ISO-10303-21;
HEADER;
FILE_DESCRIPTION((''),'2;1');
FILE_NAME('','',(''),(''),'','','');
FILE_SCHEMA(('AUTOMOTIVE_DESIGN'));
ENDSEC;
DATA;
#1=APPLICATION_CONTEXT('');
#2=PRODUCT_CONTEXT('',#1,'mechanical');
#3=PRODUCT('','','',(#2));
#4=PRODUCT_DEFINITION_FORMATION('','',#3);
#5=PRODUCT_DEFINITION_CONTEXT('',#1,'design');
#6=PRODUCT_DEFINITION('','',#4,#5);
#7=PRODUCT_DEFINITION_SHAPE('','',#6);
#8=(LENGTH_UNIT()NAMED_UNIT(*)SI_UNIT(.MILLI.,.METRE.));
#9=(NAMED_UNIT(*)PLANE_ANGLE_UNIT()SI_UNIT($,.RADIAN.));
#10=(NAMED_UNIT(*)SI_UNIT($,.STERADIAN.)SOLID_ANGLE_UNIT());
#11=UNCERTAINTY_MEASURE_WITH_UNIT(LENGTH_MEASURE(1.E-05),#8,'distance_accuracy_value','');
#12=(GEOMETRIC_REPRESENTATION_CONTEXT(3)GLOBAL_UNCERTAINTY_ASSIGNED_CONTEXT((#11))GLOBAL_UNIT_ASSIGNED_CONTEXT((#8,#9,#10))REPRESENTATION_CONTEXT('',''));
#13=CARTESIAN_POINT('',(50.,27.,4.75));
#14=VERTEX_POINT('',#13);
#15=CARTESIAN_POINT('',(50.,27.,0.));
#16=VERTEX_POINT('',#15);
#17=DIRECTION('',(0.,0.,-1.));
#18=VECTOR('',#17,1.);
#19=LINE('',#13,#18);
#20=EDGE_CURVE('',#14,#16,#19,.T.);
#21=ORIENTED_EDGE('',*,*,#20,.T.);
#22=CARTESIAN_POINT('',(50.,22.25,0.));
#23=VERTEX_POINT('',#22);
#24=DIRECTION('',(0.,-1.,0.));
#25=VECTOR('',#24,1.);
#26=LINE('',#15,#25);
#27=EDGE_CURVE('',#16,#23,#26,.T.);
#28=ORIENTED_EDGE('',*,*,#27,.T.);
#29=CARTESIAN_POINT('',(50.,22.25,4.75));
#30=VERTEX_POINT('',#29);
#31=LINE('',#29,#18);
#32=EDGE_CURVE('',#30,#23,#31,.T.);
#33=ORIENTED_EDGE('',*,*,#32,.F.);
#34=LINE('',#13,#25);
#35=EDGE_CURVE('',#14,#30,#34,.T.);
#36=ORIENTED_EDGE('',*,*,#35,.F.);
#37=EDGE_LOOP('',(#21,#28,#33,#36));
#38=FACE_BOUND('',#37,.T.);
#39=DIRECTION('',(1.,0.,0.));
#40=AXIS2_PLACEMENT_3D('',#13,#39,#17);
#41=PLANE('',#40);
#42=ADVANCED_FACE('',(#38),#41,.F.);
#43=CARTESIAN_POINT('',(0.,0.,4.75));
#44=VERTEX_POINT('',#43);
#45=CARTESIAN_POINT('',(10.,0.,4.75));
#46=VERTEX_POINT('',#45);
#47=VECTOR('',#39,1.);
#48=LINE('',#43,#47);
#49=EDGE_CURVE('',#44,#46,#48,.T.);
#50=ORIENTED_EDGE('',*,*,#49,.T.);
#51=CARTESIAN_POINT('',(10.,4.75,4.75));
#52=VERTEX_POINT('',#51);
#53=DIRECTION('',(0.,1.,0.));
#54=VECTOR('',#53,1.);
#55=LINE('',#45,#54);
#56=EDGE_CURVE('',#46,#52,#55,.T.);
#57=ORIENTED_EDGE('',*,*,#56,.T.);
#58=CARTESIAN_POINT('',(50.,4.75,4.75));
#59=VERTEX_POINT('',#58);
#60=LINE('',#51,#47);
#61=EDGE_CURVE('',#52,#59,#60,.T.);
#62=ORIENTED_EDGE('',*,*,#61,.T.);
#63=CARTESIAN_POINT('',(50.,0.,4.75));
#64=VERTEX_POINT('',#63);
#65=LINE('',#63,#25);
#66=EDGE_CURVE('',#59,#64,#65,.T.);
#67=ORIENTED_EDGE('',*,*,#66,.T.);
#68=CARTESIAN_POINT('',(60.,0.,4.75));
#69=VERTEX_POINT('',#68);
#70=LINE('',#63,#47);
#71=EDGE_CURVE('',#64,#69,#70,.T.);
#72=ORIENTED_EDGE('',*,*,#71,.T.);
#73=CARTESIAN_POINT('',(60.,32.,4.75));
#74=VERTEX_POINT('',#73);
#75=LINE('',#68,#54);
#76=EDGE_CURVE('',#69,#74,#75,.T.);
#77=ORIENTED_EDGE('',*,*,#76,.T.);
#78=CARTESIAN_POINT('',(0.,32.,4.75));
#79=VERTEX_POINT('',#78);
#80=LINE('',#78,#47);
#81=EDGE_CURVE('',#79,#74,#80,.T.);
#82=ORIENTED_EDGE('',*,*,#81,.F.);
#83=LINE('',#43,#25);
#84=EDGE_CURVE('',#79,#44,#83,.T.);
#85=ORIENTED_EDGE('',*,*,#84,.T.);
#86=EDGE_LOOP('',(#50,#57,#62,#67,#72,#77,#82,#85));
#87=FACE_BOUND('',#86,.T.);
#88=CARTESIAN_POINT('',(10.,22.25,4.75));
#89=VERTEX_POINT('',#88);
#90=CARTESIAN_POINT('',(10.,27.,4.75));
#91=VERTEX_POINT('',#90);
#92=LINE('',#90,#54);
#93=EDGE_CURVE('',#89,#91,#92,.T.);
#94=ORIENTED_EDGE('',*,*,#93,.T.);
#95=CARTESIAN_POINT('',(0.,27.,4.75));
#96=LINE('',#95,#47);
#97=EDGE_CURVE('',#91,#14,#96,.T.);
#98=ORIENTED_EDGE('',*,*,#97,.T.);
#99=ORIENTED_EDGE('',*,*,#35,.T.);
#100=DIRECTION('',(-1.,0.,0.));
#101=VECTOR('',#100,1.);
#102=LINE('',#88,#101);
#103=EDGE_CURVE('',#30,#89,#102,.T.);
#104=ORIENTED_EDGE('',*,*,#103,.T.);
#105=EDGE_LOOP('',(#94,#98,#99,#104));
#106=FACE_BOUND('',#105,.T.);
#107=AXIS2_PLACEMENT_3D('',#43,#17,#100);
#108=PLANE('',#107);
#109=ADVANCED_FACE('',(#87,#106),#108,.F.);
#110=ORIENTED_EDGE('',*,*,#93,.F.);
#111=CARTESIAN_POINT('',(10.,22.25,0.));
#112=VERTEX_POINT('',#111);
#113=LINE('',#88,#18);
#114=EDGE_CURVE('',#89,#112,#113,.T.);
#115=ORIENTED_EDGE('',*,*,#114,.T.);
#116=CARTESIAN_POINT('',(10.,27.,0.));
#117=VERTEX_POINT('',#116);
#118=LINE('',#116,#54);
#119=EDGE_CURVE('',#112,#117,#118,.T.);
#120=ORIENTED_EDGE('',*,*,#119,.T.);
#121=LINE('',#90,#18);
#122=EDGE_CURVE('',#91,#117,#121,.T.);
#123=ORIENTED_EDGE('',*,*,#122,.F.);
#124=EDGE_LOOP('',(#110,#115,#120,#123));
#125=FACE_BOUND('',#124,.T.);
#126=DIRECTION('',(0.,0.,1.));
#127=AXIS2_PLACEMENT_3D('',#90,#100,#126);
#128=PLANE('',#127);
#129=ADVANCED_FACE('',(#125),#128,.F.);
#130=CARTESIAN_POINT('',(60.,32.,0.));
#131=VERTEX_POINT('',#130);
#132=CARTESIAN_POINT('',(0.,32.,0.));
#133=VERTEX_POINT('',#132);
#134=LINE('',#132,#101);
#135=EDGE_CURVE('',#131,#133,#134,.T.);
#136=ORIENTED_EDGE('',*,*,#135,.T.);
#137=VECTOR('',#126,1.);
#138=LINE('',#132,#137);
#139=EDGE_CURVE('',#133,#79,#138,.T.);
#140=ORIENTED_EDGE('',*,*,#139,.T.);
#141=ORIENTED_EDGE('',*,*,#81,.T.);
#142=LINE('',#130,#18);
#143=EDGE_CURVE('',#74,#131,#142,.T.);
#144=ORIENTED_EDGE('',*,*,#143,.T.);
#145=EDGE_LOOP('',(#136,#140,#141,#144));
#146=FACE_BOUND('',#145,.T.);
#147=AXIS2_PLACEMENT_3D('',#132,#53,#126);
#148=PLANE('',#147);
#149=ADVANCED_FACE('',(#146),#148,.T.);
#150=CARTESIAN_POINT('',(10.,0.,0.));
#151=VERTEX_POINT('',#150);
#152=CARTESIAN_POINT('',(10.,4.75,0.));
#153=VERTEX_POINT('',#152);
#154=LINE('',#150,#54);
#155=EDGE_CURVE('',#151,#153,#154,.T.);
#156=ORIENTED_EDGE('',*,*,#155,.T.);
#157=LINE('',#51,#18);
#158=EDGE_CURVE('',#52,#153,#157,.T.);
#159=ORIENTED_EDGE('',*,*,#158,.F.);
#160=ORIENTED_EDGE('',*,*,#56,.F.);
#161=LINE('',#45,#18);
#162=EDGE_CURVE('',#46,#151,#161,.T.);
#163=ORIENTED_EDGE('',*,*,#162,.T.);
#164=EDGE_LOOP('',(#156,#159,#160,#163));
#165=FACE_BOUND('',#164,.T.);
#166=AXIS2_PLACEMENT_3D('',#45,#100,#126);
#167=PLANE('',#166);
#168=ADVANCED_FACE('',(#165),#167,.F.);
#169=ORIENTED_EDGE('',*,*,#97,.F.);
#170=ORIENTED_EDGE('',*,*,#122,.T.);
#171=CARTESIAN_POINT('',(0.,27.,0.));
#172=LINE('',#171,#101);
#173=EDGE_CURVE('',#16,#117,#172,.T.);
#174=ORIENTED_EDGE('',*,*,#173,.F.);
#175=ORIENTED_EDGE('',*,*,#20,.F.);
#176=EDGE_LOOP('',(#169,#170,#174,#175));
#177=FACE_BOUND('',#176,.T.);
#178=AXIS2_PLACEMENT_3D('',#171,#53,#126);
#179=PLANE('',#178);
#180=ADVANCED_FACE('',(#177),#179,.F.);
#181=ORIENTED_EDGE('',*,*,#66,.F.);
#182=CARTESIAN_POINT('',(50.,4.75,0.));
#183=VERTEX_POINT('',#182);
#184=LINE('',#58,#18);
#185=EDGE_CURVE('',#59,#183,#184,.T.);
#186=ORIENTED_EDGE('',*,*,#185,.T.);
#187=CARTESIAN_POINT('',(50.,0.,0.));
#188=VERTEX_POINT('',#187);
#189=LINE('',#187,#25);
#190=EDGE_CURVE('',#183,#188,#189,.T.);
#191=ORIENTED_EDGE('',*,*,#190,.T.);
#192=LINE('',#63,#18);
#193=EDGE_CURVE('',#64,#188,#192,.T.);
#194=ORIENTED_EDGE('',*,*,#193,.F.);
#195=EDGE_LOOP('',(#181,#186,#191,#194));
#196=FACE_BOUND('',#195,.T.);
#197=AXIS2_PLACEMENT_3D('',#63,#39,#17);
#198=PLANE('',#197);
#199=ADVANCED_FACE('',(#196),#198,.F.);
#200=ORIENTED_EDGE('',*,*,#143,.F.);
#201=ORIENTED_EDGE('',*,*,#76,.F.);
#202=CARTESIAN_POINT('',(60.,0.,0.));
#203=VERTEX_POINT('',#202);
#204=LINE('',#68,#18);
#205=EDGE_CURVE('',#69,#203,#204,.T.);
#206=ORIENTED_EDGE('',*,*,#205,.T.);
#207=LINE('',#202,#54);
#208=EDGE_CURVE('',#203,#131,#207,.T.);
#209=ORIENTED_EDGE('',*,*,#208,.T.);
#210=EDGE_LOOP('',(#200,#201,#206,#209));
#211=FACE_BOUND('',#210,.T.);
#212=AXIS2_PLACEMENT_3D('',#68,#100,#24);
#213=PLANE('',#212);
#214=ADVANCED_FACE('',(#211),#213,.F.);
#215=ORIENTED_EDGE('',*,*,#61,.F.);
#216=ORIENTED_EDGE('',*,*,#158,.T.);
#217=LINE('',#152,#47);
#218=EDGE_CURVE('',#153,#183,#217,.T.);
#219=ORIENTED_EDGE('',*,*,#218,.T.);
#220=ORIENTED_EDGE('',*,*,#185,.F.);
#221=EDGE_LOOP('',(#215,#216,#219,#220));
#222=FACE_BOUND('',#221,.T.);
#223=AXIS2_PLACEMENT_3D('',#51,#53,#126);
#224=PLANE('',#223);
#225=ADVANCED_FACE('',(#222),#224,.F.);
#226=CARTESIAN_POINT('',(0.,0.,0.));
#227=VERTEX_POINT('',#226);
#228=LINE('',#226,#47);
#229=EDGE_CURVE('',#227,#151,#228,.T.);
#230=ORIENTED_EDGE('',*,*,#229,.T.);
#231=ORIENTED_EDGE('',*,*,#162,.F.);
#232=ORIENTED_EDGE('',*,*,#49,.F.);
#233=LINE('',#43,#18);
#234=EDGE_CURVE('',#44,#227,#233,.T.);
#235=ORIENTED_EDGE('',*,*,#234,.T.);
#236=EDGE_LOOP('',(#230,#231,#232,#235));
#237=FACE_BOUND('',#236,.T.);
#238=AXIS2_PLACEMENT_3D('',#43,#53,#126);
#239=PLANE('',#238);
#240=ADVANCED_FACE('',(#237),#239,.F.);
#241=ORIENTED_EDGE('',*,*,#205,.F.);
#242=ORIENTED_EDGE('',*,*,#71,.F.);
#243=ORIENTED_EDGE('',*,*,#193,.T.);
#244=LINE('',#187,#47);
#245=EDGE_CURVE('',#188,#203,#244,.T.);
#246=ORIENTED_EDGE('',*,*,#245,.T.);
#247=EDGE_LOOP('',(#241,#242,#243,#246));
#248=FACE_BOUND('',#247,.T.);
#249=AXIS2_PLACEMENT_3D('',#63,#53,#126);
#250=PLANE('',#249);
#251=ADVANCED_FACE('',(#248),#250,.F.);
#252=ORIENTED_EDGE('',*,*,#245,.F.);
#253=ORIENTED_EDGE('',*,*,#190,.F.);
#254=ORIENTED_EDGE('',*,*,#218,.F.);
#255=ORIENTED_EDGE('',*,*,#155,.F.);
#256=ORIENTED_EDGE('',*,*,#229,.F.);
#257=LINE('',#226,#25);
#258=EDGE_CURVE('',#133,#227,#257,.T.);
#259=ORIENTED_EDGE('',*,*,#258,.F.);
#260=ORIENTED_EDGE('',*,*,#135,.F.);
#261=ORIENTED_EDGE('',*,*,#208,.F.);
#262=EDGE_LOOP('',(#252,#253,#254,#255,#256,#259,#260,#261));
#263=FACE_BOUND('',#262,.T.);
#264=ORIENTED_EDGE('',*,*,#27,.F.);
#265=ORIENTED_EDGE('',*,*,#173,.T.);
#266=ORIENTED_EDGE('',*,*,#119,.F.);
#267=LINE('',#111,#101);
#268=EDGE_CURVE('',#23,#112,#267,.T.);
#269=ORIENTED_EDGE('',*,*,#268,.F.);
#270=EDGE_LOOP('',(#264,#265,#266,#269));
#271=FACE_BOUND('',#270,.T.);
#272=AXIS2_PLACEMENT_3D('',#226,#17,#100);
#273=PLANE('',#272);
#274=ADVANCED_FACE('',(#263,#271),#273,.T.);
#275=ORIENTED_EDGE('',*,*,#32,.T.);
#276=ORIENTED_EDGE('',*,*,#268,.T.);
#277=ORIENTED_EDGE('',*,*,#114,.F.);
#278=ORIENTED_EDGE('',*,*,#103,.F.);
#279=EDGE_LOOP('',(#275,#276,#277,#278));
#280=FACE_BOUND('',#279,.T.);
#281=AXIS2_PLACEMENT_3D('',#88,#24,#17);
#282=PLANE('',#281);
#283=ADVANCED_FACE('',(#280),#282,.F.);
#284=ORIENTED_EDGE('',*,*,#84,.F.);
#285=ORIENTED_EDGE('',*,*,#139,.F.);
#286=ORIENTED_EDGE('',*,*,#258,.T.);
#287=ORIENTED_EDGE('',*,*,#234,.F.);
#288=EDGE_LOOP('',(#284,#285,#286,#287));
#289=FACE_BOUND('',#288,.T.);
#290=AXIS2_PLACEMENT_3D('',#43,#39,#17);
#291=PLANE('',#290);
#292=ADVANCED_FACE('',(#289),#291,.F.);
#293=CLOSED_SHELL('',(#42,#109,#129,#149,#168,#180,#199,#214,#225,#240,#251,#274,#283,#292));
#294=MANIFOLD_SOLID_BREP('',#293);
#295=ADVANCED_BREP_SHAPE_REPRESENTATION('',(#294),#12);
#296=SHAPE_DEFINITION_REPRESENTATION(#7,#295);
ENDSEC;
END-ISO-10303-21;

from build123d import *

# Parameters (mm, degrees)
BOSS_EXTRUDE1_DEPTH = 4.75
SKETCH2_W           = 60
SKETCH2_H           = 4.75
BOSS_EXTRUDE2_DEPTH = 5


with BuildPart() as part:
    # Sketch1 → Boss-Extrude1 (new body)
    with BuildSketch(Plane.XY):
        Polygon((0, 0), (10, 0), (10, 4.75), (50, 4.75), (50, 0), (60, 0), (60, 27), (50, 27), (50, 22.25), (10, 22.25), (10, 27), (0, 27), align=None)
    extrude(amount=BOSS_EXTRUDE1_DEPTH)

    # Sketch2 → Boss-Extrude2 (add)
    with BuildSketch(Plane(origin=(0, 27, 0), x_dir=(1, 0, 0), z_dir=(0, 1, 0))):
        with Locations((30, -2.375)):
            Rectangle(SKETCH2_W, SKETCH2_H)
    extrude(amount=BOSS_EXTRUDE2_DEPTH)


solid = part.part
